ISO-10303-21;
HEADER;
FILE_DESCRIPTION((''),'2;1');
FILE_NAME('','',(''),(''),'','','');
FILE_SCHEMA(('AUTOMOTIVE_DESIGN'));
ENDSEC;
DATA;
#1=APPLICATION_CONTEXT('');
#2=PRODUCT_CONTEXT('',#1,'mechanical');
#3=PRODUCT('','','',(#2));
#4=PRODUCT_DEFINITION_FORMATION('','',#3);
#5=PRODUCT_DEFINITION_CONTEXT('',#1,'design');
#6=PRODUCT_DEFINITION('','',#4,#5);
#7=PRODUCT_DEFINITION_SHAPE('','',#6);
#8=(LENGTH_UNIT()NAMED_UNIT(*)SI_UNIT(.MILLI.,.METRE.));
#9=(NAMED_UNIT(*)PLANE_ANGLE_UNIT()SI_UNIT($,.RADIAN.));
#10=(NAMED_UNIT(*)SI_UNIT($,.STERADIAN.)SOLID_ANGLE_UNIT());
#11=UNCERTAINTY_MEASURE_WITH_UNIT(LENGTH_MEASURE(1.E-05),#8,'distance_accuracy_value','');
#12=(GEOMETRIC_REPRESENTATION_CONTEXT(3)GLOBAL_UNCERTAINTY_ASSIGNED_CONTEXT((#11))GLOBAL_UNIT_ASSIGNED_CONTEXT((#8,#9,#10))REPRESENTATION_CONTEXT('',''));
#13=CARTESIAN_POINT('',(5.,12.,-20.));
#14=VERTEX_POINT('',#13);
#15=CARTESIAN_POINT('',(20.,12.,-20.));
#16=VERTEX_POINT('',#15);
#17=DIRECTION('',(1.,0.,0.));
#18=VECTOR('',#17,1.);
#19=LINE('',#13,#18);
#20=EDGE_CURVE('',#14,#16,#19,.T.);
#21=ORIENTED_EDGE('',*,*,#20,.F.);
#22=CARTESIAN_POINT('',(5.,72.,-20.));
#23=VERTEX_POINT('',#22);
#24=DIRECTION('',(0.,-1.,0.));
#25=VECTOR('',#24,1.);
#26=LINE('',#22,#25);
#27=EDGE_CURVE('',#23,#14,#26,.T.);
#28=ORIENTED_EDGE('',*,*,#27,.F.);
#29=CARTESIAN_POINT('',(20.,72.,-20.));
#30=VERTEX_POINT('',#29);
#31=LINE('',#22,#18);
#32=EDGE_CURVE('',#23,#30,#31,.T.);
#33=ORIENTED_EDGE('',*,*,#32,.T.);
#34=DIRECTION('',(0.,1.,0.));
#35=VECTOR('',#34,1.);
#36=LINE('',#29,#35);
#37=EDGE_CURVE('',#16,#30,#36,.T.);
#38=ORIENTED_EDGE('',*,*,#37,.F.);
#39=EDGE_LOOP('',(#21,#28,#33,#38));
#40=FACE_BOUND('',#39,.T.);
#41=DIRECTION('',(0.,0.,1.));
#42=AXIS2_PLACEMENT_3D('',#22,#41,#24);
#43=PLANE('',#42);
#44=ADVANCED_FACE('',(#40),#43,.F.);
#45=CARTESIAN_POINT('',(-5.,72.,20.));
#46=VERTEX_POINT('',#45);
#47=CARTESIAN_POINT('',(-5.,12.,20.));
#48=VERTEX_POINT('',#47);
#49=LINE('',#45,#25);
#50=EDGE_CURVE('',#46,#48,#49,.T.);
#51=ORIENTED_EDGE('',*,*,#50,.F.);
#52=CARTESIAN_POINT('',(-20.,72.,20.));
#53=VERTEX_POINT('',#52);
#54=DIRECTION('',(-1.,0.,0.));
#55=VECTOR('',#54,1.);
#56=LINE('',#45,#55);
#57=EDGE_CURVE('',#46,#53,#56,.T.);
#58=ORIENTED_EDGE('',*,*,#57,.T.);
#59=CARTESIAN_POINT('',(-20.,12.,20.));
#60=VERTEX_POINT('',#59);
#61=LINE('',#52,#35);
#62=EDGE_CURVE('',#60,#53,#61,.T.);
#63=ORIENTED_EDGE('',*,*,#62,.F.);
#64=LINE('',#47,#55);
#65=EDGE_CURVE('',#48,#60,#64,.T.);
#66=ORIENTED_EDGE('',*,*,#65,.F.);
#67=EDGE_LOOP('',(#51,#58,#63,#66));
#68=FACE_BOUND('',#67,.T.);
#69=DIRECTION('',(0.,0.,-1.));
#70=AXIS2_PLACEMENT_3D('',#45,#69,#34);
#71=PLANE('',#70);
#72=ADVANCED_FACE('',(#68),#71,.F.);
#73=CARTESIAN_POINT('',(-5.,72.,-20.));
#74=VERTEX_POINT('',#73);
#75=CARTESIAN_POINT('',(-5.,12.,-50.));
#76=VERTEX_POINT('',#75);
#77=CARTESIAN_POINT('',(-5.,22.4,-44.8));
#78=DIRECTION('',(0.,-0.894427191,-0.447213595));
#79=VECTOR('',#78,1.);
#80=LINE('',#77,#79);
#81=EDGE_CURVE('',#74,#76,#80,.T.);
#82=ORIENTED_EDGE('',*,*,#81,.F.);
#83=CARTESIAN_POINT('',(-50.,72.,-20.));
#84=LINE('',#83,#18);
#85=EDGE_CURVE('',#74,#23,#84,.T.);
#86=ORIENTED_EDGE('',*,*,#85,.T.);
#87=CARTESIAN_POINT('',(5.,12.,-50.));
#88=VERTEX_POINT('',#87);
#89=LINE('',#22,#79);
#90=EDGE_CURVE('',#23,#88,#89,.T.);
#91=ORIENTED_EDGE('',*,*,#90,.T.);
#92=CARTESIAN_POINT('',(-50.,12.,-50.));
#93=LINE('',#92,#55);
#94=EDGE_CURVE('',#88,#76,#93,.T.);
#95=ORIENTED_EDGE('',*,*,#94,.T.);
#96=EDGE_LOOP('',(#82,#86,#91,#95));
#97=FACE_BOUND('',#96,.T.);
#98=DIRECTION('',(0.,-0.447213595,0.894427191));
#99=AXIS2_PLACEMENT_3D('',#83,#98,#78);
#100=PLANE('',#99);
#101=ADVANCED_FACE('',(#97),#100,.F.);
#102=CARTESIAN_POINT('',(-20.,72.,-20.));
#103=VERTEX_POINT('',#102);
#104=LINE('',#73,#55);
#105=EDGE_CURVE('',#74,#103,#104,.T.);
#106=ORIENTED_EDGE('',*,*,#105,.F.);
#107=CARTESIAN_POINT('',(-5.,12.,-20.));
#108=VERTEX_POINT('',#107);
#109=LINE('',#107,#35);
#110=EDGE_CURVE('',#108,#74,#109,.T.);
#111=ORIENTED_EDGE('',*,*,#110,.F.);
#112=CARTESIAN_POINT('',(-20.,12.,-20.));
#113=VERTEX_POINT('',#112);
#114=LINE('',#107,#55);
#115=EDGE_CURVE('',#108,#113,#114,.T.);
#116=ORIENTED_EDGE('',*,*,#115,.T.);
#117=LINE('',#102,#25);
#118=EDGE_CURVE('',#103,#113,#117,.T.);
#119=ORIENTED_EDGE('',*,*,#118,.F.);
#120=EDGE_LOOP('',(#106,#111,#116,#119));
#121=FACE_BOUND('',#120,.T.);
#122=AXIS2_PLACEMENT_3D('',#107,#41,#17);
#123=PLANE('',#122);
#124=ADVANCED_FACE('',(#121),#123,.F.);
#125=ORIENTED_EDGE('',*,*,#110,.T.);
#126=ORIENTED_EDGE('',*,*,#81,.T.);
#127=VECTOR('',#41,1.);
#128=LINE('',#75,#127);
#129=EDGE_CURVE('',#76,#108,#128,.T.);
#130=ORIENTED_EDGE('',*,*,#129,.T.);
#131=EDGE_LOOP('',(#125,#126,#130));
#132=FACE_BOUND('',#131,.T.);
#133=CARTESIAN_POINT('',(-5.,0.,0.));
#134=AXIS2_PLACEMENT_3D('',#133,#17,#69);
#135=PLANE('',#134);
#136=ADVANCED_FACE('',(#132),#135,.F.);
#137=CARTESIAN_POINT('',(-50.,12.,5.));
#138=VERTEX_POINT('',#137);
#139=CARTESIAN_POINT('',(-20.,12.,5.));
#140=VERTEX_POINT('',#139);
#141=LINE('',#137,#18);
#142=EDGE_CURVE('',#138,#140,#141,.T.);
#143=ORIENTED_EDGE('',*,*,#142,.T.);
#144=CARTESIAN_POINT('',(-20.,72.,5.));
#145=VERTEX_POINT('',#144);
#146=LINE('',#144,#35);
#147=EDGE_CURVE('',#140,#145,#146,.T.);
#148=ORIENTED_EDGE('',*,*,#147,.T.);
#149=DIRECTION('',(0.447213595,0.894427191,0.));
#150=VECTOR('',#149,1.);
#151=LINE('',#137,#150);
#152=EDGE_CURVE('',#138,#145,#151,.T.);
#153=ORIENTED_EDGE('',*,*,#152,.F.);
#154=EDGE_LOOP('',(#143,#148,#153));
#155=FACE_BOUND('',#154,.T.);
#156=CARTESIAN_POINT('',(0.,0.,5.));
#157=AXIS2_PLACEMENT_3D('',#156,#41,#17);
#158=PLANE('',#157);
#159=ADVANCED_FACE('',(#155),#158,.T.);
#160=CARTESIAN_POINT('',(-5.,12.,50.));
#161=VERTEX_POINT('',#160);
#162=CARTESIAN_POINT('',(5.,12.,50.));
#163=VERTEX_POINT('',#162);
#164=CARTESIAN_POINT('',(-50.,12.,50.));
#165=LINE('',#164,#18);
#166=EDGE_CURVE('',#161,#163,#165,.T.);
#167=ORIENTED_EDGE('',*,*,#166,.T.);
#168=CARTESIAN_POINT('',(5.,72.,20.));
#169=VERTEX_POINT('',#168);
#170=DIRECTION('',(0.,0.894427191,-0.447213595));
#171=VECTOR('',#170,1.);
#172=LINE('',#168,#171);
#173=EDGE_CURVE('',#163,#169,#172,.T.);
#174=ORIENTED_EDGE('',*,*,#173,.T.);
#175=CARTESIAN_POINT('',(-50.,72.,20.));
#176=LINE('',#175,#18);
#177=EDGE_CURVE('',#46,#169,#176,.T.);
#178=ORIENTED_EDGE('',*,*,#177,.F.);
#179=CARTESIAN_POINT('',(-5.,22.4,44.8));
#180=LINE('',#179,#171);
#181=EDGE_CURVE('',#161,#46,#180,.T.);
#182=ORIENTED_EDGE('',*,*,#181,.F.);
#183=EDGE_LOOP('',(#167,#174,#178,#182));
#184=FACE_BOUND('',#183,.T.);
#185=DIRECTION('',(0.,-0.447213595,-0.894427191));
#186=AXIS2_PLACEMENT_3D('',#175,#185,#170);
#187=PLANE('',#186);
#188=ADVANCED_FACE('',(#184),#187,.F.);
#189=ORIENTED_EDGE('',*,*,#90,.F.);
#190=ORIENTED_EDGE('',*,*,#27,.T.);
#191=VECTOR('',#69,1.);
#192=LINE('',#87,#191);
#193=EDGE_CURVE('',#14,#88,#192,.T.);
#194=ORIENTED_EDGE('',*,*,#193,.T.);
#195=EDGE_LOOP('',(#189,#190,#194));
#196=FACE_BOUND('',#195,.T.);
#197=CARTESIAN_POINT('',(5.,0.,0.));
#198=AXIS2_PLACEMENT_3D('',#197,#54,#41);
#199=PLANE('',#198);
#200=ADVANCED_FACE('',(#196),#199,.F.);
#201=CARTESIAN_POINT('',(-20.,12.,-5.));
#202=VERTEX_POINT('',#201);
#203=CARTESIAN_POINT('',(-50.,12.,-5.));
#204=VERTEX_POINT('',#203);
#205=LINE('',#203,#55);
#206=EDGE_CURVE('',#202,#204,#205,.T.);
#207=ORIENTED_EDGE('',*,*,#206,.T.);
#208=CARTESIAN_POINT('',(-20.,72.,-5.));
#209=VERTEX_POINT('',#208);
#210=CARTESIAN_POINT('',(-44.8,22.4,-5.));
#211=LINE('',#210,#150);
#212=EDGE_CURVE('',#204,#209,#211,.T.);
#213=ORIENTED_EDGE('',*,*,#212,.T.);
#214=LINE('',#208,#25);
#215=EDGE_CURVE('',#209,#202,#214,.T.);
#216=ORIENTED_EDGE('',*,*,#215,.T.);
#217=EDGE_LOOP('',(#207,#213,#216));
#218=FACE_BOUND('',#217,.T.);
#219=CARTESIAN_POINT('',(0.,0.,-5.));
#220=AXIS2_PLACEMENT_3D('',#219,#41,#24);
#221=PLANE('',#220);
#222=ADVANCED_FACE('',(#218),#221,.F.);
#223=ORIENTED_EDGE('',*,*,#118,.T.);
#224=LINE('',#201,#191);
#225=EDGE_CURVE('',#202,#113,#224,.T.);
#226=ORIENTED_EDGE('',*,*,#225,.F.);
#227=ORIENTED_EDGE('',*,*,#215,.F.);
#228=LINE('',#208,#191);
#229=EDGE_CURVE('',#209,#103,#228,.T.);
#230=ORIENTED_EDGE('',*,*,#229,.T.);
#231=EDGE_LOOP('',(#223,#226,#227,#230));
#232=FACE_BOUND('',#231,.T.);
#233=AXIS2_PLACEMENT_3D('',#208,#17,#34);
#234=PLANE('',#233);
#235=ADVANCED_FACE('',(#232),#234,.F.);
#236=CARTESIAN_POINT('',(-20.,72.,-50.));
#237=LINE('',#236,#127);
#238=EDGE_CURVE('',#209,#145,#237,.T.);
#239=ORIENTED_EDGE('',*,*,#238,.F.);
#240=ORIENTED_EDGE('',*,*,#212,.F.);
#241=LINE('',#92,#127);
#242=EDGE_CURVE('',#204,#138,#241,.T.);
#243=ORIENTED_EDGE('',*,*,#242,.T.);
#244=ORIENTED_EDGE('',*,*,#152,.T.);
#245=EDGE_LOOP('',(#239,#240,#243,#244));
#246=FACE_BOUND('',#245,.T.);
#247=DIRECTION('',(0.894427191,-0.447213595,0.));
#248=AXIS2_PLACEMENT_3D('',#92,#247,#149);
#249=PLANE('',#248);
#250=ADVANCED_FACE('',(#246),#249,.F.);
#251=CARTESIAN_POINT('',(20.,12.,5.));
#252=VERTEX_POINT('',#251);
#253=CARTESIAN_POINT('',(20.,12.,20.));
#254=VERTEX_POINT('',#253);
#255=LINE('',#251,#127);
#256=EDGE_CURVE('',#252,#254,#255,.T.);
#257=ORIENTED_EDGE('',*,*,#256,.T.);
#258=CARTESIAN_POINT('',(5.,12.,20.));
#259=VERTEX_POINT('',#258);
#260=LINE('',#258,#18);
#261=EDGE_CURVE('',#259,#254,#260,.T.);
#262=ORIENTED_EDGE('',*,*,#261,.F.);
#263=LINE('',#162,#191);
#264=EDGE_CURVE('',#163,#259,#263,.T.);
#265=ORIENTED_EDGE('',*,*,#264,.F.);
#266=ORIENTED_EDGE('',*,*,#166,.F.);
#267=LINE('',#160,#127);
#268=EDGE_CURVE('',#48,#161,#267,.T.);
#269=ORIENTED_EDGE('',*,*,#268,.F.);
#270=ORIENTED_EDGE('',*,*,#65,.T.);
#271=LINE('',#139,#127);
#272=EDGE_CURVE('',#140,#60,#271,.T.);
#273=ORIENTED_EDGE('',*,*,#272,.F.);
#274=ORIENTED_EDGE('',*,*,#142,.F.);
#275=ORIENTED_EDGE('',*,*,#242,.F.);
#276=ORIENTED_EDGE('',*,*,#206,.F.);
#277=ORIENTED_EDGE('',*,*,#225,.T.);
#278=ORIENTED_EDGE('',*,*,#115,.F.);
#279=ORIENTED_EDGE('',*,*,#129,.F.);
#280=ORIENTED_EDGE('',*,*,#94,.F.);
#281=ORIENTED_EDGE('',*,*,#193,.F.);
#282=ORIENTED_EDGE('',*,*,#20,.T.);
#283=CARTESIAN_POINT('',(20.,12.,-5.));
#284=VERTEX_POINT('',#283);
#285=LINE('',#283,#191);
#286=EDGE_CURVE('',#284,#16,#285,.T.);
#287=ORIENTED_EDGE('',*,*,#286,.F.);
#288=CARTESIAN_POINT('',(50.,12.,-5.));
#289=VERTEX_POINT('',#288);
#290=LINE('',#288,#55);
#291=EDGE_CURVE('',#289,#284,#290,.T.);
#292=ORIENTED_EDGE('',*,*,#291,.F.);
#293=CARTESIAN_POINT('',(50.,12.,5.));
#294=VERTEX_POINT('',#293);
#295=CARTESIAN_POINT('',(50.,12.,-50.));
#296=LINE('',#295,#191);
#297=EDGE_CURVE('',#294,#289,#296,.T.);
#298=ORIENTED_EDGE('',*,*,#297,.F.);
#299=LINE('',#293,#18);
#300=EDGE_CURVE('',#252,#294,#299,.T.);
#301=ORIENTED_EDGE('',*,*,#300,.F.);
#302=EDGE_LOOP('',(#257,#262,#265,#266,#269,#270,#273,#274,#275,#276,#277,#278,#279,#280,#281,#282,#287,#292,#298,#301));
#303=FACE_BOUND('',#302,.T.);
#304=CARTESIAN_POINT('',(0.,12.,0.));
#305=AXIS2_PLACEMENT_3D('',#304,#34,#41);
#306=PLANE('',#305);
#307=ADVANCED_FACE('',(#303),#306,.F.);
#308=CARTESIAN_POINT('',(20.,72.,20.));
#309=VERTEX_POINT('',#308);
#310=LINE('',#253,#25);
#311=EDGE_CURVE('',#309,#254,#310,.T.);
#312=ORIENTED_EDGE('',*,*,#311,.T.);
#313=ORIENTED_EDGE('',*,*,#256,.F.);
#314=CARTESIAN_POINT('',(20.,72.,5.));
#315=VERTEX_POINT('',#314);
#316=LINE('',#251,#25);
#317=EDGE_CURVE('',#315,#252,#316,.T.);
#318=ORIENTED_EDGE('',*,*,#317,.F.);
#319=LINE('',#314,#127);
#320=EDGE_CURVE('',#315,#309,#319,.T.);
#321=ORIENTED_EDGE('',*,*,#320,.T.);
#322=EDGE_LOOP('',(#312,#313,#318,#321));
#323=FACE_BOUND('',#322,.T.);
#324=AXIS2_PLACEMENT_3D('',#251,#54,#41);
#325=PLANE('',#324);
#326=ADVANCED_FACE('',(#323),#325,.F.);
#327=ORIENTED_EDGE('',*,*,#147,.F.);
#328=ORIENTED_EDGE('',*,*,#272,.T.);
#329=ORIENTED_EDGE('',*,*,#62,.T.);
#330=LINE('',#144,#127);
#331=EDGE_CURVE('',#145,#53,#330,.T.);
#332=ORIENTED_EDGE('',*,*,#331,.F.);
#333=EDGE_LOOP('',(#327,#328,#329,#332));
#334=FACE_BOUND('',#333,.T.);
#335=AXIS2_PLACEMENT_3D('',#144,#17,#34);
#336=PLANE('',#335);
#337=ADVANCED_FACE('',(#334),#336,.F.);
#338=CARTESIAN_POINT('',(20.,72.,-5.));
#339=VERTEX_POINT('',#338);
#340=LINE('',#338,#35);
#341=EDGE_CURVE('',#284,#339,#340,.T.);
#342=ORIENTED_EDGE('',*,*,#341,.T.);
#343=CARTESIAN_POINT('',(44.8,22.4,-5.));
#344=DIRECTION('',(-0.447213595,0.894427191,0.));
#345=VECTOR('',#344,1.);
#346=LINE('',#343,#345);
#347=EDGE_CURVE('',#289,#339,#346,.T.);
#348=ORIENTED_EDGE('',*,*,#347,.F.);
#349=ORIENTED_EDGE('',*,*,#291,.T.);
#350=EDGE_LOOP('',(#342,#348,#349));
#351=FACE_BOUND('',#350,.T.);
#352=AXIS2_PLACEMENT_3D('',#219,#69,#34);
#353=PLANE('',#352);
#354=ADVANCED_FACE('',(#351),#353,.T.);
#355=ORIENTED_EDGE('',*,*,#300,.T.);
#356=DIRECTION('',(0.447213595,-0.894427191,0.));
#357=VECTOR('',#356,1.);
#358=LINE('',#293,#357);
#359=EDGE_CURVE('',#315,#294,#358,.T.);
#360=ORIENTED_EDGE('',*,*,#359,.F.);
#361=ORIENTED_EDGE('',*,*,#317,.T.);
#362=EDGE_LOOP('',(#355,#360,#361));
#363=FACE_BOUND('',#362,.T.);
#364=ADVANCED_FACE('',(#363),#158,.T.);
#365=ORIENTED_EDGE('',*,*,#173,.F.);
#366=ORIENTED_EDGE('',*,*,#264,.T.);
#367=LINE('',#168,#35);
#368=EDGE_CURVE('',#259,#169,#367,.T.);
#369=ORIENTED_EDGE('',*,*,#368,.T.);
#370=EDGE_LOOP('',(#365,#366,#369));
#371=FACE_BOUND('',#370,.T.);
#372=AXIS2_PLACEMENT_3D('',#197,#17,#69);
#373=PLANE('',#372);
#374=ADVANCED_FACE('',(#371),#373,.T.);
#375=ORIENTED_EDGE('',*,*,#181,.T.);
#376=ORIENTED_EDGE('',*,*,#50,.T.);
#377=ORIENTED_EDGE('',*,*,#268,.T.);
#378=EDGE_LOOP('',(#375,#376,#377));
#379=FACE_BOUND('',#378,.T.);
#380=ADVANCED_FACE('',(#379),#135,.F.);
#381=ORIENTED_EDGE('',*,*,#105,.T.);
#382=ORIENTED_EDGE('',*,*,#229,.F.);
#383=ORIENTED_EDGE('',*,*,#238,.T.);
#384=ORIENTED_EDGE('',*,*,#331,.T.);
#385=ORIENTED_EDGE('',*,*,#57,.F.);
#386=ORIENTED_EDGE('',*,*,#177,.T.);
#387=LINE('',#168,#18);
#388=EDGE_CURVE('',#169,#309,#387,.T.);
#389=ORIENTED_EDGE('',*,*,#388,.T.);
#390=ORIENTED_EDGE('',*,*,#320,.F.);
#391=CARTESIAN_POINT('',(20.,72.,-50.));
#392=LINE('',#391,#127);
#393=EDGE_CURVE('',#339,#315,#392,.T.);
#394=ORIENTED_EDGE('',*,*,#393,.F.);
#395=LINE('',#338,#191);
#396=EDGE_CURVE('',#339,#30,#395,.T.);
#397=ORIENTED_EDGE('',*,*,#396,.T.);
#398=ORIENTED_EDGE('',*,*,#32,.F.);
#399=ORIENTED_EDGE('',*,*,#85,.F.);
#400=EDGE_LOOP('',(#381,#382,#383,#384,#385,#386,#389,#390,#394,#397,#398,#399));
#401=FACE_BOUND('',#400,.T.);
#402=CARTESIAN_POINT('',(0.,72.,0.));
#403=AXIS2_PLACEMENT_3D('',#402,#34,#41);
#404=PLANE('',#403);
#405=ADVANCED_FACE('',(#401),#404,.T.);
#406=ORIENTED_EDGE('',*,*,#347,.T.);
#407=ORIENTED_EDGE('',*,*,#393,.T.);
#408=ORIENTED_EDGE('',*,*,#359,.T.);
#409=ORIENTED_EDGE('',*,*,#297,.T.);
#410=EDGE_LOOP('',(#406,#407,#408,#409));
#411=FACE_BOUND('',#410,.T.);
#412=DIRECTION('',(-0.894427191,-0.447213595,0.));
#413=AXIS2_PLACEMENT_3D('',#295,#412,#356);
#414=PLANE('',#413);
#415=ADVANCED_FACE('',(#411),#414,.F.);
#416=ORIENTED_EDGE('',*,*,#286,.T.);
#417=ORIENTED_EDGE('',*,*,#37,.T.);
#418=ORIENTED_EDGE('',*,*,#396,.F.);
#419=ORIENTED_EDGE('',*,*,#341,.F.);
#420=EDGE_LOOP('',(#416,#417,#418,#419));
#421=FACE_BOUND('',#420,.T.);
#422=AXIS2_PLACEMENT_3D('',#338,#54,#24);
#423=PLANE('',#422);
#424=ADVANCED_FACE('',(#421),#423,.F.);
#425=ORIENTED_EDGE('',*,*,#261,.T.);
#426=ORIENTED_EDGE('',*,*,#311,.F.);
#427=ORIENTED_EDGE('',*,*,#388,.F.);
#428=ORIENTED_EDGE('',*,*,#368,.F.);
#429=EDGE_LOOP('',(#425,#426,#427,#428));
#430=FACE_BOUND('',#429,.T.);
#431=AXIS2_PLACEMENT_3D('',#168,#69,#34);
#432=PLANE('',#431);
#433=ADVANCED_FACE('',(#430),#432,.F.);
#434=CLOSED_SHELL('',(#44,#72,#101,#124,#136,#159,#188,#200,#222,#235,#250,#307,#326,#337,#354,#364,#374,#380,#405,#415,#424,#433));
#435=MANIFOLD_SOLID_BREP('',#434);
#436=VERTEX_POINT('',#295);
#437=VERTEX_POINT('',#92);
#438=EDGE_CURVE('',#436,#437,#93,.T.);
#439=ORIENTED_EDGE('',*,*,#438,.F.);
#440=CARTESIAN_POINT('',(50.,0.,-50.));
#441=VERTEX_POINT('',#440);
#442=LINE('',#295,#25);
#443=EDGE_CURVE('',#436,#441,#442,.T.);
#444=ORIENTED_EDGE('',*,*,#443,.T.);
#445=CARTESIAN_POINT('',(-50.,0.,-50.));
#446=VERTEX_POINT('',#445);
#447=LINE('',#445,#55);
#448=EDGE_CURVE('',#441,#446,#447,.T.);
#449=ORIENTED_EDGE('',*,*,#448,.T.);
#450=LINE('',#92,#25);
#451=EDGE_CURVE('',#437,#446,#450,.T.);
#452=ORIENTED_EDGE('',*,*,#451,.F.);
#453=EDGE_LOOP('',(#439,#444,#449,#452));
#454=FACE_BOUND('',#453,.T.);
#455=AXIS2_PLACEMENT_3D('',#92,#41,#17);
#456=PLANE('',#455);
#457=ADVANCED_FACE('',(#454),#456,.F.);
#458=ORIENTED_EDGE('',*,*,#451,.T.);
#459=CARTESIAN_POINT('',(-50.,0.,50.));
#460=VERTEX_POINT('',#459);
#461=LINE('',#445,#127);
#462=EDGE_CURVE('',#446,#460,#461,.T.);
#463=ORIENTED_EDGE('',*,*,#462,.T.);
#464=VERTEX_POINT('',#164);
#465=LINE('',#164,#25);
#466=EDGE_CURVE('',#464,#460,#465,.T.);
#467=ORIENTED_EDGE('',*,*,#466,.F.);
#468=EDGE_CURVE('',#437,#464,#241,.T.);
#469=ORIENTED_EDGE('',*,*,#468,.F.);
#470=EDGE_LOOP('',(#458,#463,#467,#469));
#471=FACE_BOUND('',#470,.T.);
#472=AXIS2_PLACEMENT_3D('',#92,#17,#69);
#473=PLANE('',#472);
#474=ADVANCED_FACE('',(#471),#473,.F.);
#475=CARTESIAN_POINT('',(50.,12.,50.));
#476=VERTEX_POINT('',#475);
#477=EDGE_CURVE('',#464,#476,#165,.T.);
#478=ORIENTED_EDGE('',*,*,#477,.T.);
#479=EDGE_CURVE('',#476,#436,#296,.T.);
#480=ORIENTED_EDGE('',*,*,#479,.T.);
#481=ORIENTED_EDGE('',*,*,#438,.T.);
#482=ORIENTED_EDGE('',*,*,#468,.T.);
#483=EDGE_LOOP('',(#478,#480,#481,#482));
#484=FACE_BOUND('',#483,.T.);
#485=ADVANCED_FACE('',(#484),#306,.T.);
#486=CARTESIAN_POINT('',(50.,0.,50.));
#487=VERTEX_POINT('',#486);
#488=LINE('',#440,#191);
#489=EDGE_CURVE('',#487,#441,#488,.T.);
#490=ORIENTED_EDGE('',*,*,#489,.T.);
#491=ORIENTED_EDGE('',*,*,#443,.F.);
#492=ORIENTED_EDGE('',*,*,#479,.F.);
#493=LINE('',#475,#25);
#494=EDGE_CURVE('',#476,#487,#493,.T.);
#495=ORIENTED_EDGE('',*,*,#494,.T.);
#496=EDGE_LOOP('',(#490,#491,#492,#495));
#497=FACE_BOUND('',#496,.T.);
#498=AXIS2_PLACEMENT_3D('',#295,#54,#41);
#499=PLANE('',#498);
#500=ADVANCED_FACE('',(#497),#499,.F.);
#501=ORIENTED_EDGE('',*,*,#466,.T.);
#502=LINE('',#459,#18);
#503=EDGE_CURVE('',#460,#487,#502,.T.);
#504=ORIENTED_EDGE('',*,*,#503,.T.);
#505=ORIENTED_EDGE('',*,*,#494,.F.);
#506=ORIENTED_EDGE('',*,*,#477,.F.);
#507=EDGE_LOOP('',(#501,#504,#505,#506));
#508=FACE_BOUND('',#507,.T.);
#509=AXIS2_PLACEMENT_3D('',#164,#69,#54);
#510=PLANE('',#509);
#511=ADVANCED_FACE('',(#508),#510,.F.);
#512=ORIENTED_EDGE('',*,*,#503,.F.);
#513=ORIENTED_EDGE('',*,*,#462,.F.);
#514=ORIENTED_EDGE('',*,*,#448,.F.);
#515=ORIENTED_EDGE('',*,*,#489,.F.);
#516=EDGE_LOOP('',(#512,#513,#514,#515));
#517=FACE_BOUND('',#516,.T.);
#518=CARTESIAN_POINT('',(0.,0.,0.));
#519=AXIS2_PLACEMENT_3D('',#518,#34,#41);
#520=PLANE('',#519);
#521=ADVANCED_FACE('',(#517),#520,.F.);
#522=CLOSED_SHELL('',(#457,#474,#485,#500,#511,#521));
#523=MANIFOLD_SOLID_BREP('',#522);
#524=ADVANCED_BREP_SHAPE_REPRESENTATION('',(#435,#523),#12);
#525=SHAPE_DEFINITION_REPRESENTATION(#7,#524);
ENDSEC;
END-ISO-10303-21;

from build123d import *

# Parameters (mm, degrees)
SKETCH1_W           = 100
SKETCH1_H           = 100
BOSS_EXTRUDE1_DEPTH = 12
SKETCH2_W           = 100
SKETCH2_H           = 100
BOSS_EXTRUDE2_DEPTH = 60
SKETCH4_W           = 30
SKETCH4_H           = 60
CUT_EXTRUDE1_DEPTH  = 45
SKETCH5_W           = 30
SKETCH5_H           = 60
CUT_EXTRUDE2_DEPTH  = 45
SKETCH7_W           = 30
SKETCH7_H           = 60
CUT_EXTRUDE3_DEPTH  = 45
SKETCH8_W           = 30
SKETCH8_H           = 60
CUT_EXTRUDE4_DEPTH  = 15
SKETCH9_W           = 30
SKETCH9_H           = 60
CUT_EXTRUDE5_DEPTH  = 15
CUT_EXTRUDE6_DEPTH  = 104.484298326
CUT_EXTRUDE7_DEPTH  = 104.484298326


with BuildPart() as part:
    # Sketch1 → Boss-Extrude1 (new body)
    with BuildSketch(Plane(origin=(0, 0, 0), x_dir=(1, 0, 0), z_dir=(0, 1, 0))):
        Rectangle(SKETCH1_W, SKETCH1_H)
    extrude(amount=BOSS_EXTRUDE1_DEPTH)


with BuildPart() as body_2:
    # Sketch2 → Boss-Extrude2 (new body)
    with BuildSketch(Plane(origin=(0, 12, 0), x_dir=(1, 0, 0), z_dir=(0, 1, 0))):
        Rectangle(SKETCH2_W, SKETCH2_H)
    extrude(amount=BOSS_EXTRUDE2_DEPTH)

    # Sketch4 → Cut-Extrude1 (cut)
    with BuildSketch(Plane(origin=(50, 0, 0), x_dir=(0, 0, -1), z_dir=(1, 0, 0))):
        with Locations((-35, 42)):
            Rectangle(SKETCH4_W, SKETCH4_H)
    extrude(amount=-CUT_EXTRUDE1_DEPTH, mode=Mode.SUBTRACT)

    # Sketch5 → Cut-Extrude2 (cut)
    with BuildSketch(Plane(origin=(50, 0, 0), x_dir=(0, 0, -1), z_dir=(1, 0, 0))):
        with Locations((35, 42)):
            Rectangle(SKETCH5_W, SKETCH5_H)
    extrude(amount=-CUT_EXTRUDE2_DEPTH, mode=Mode.SUBTRACT)

    # Sketch7 → Cut-Extrude3 (cut)
    with BuildSketch(Plane.ZY.offset(50)):
        with Locations((-35, 42)):
            Rectangle(SKETCH7_W, SKETCH7_H)
        with Locations((35, 42)):
            Rectangle(SKETCH7_W, SKETCH7_H)
    extrude(amount=-CUT_EXTRUDE3_DEPTH, mode=Mode.SUBTRACT)

    # Sketch8 → Cut-Extrude4 (cut)
    with BuildSketch(Plane.XY.offset(20)):
        with Locations((35, 42)):
            Rectangle(SKETCH8_W, SKETCH8_H)
        with Locations((-35, 42)):
            Rectangle(SKETCH8_W, SKETCH8_H)
    extrude(amount=-CUT_EXTRUDE4_DEPTH, mode=Mode.SUBTRACT)

    # Sketch9 → Cut-Extrude5 (cut)
    with BuildSketch(Plane(origin=(0, 0, -20), x_dir=(-1, 0, 0), z_dir=(0, 0, -1))):
        with Locations((-35, 42)):
            Rectangle(SKETCH9_W, SKETCH9_H)
        with Locations((35, 42)):
            Rectangle(SKETCH9_W, SKETCH9_H)
    extrude(amount=-CUT_EXTRUDE5_DEPTH, mode=Mode.SUBTRACT)

    # Sketch10 → Cut-Extrude6 (cut, through all)
    with BuildSketch(Plane(origin=(5, 0, 0), x_dir=(0, 0, -1), z_dir=(1, 0, 0))):
        Polygon((-50, 12), (-50, 72), (-20, 72), align=None)
        Polygon((20, 72), (50, 12), (50, 72), align=None)
    extrude(amount=-CUT_EXTRUDE6_DEPTH, mode=Mode.SUBTRACT)

    # Sketch11 → Cut-Extrude7 (cut, through all)
    with BuildSketch(Plane.XY.offset(5)):
        Polygon((20, 72), (50, 72), (50, 12), align=None)
        Polygon((-20, 72), (-50, 72), (-50, 12), align=None)
    extrude(amount=-CUT_EXTRUDE7_DEPTH, mode=Mode.SUBTRACT)


solid = Compound([part.part, body_2.part])
